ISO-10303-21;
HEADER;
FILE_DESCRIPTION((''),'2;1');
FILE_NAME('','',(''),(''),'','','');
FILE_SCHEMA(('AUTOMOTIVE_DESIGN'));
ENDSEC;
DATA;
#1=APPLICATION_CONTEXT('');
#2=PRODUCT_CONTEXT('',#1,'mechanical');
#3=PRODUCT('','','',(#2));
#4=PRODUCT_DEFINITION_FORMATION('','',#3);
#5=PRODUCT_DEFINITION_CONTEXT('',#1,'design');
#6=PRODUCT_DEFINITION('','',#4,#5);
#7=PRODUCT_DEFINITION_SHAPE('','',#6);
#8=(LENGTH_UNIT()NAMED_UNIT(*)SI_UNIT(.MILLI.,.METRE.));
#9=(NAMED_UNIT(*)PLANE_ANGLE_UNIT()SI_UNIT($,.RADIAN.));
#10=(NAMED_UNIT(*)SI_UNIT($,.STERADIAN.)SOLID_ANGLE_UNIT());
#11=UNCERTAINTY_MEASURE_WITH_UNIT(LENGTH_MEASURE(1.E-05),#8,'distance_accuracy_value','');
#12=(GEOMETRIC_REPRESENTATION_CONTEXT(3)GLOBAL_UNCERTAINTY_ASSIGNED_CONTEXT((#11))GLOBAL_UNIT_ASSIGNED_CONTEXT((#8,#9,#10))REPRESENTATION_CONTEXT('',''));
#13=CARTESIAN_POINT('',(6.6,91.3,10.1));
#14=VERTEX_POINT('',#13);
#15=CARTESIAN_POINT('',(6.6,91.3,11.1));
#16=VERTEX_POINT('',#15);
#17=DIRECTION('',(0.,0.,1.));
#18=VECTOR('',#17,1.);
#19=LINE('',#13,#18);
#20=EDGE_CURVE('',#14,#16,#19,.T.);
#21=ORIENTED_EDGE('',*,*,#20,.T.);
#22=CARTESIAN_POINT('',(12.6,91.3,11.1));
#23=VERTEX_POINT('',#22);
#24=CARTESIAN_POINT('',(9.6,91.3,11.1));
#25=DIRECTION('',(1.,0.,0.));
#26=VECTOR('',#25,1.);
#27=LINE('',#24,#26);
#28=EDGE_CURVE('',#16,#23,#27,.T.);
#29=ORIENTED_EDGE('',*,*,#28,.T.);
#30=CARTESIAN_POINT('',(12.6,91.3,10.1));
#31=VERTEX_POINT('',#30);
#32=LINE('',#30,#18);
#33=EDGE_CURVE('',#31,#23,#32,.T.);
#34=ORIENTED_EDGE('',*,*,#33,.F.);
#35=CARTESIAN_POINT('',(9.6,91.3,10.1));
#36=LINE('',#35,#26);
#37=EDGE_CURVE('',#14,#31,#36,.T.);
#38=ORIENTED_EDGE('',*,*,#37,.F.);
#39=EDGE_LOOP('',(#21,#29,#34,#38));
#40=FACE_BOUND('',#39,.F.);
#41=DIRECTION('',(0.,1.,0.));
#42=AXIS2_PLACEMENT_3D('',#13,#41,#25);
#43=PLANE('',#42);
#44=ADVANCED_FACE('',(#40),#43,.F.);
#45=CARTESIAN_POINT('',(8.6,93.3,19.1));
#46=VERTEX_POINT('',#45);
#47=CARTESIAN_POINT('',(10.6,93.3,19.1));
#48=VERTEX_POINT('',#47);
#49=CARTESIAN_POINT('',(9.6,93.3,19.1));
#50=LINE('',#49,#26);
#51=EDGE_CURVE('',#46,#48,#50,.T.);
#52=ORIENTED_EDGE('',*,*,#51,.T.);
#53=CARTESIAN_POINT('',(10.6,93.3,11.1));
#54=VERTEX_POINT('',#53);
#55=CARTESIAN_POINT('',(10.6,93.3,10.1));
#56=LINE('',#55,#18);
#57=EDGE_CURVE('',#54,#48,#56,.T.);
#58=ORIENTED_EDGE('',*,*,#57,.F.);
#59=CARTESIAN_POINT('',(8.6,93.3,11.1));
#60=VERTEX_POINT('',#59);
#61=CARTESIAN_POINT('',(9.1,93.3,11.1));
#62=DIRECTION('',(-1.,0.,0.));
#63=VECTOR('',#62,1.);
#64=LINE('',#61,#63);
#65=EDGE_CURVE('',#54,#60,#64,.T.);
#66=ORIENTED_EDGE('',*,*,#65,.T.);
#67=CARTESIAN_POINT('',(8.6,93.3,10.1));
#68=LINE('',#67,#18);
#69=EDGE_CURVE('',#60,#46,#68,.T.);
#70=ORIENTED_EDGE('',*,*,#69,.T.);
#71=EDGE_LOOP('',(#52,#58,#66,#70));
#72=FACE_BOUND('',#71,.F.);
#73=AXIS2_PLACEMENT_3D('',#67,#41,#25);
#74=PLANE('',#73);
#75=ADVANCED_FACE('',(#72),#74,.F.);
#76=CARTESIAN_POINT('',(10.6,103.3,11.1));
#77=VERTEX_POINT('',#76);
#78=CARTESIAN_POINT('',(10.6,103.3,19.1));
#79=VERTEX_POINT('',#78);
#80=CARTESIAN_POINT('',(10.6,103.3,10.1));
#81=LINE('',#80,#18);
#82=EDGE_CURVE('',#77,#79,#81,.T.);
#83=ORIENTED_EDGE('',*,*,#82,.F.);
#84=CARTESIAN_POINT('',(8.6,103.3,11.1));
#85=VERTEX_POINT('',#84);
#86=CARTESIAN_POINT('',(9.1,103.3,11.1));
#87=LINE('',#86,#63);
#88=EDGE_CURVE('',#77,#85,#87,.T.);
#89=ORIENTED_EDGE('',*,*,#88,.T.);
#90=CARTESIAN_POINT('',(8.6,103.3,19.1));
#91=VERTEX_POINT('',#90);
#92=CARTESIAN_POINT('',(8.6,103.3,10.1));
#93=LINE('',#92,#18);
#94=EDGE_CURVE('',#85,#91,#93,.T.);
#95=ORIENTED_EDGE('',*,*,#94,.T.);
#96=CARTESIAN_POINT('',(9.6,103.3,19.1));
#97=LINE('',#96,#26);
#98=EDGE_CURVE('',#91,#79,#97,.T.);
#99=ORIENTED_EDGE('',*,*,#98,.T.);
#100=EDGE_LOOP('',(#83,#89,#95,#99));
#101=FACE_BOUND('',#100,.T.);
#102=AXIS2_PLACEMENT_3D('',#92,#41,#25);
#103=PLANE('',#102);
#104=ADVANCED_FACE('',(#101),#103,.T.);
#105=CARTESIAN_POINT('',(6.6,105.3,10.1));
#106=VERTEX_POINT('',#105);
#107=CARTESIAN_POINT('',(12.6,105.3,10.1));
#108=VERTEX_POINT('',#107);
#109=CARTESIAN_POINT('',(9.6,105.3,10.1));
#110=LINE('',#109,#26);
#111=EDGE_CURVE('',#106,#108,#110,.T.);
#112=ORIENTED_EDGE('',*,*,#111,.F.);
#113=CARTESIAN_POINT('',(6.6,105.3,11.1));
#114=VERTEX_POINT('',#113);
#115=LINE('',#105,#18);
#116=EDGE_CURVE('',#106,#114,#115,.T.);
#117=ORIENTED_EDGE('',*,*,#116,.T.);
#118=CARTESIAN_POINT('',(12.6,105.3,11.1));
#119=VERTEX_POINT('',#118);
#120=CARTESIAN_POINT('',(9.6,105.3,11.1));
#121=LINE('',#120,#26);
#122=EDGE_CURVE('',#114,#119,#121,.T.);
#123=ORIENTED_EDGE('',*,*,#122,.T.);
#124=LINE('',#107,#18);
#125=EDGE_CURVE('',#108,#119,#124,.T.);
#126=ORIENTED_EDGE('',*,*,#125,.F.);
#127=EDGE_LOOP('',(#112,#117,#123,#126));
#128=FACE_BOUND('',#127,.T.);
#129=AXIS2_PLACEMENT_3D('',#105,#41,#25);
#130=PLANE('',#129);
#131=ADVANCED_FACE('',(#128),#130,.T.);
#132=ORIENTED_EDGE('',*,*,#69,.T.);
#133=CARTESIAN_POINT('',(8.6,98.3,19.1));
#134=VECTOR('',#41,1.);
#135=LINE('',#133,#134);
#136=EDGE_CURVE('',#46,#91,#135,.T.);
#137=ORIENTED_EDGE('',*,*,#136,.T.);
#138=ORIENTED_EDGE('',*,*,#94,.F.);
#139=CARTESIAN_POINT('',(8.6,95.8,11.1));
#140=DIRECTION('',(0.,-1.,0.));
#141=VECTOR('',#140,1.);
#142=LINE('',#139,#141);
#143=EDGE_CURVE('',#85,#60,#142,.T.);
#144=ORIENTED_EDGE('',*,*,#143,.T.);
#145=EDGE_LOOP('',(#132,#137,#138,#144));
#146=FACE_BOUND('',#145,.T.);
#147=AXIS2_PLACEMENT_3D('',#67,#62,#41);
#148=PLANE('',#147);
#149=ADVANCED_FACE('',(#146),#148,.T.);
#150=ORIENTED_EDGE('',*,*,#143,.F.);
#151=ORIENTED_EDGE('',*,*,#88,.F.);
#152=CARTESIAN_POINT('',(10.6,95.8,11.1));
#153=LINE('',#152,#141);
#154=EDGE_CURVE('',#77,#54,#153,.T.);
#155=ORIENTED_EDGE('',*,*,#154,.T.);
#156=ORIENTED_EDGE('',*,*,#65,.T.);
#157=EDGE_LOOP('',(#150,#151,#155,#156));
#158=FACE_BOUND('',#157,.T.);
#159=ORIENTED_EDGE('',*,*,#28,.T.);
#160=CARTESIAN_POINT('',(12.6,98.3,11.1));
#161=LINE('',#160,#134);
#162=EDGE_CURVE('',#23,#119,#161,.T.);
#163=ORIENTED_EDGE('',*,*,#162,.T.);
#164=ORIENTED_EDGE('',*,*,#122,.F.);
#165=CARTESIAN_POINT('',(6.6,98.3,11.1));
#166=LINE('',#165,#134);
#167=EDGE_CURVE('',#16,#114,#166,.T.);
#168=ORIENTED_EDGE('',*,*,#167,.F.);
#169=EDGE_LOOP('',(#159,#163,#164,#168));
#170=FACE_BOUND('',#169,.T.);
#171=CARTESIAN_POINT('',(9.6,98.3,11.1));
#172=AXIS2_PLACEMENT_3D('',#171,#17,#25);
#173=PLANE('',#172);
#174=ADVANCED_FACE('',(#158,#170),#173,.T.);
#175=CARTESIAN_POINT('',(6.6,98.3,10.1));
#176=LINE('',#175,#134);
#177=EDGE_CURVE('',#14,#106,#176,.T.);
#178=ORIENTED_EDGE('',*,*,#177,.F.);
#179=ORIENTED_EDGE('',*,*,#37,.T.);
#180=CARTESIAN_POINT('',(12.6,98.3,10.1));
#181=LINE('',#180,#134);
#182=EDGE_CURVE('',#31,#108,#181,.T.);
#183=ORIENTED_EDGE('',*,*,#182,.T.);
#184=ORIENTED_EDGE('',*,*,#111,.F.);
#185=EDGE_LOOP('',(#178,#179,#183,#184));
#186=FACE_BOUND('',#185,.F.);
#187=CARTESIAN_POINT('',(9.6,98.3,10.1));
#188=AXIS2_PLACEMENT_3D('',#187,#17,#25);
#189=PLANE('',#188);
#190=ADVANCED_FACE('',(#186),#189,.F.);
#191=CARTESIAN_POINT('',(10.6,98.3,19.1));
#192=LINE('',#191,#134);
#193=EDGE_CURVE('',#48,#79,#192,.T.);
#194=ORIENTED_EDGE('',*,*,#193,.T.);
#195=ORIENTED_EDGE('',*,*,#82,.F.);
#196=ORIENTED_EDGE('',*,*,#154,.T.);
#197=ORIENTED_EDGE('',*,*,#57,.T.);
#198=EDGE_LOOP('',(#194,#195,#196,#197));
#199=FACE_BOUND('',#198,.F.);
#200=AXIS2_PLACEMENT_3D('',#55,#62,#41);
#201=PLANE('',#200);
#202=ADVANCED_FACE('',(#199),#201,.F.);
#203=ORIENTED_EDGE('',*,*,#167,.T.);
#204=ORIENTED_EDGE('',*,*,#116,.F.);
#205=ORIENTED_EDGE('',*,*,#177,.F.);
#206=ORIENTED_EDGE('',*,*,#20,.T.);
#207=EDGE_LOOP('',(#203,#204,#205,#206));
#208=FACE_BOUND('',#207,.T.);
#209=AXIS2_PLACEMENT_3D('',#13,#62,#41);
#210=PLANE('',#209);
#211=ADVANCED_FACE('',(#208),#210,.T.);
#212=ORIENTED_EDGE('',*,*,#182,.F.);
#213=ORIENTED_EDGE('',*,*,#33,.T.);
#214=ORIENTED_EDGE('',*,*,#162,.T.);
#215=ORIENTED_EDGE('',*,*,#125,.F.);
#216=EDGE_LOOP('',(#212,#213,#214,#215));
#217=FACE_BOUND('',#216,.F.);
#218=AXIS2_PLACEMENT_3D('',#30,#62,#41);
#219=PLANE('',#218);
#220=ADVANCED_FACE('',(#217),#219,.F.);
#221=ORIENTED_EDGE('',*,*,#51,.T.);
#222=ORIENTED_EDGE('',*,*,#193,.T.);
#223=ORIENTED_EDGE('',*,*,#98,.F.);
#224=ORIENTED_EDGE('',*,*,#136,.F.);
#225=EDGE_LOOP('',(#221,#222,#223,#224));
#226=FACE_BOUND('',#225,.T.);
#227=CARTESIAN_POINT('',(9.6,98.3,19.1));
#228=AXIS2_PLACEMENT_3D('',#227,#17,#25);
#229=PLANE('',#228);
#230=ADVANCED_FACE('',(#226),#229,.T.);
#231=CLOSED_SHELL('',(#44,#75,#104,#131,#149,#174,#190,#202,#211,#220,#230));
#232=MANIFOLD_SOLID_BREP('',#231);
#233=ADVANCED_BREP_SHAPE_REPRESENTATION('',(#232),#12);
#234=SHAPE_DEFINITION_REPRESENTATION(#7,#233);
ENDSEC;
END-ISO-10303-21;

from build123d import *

# Parameters (mm, degrees)
BOX022_W     = 2
BOX022_H     = 10
BOX022_DEPTH = 9
BOX024_W     = 6
BOX024_H     = 14
BOX024_DEPTH = 1


with BuildPart() as onoff_button_rec_c:
    # Box022 → Box022 (new body)
    with BuildSketch(Plane(origin=(8.6, 93.3, 10.1), x_dir=(1, 0, 0), z_dir=(0, 0, 1))):
        with Locations((1, 5)):
            Rectangle(BOX022_W, BOX022_H)
    extrude(amount=BOX022_DEPTH)


with BuildPart() as onoff_button_rec:
    # Box024 → Box024 (new body)
    with BuildSketch(Plane(origin=(6.6, 91.3, 10.1), x_dir=(1, 0, 0), z_dir=(0, 0, 1))):
        with Locations((3, 7)):
            Rectangle(BOX024_W, BOX024_H)
    extrude(amount=BOX024_DEPTH)

    # Fusion037: union onoff_button_rec_c
    add(onoff_button_rec_c.part)


solid = onoff_button_rec.part
